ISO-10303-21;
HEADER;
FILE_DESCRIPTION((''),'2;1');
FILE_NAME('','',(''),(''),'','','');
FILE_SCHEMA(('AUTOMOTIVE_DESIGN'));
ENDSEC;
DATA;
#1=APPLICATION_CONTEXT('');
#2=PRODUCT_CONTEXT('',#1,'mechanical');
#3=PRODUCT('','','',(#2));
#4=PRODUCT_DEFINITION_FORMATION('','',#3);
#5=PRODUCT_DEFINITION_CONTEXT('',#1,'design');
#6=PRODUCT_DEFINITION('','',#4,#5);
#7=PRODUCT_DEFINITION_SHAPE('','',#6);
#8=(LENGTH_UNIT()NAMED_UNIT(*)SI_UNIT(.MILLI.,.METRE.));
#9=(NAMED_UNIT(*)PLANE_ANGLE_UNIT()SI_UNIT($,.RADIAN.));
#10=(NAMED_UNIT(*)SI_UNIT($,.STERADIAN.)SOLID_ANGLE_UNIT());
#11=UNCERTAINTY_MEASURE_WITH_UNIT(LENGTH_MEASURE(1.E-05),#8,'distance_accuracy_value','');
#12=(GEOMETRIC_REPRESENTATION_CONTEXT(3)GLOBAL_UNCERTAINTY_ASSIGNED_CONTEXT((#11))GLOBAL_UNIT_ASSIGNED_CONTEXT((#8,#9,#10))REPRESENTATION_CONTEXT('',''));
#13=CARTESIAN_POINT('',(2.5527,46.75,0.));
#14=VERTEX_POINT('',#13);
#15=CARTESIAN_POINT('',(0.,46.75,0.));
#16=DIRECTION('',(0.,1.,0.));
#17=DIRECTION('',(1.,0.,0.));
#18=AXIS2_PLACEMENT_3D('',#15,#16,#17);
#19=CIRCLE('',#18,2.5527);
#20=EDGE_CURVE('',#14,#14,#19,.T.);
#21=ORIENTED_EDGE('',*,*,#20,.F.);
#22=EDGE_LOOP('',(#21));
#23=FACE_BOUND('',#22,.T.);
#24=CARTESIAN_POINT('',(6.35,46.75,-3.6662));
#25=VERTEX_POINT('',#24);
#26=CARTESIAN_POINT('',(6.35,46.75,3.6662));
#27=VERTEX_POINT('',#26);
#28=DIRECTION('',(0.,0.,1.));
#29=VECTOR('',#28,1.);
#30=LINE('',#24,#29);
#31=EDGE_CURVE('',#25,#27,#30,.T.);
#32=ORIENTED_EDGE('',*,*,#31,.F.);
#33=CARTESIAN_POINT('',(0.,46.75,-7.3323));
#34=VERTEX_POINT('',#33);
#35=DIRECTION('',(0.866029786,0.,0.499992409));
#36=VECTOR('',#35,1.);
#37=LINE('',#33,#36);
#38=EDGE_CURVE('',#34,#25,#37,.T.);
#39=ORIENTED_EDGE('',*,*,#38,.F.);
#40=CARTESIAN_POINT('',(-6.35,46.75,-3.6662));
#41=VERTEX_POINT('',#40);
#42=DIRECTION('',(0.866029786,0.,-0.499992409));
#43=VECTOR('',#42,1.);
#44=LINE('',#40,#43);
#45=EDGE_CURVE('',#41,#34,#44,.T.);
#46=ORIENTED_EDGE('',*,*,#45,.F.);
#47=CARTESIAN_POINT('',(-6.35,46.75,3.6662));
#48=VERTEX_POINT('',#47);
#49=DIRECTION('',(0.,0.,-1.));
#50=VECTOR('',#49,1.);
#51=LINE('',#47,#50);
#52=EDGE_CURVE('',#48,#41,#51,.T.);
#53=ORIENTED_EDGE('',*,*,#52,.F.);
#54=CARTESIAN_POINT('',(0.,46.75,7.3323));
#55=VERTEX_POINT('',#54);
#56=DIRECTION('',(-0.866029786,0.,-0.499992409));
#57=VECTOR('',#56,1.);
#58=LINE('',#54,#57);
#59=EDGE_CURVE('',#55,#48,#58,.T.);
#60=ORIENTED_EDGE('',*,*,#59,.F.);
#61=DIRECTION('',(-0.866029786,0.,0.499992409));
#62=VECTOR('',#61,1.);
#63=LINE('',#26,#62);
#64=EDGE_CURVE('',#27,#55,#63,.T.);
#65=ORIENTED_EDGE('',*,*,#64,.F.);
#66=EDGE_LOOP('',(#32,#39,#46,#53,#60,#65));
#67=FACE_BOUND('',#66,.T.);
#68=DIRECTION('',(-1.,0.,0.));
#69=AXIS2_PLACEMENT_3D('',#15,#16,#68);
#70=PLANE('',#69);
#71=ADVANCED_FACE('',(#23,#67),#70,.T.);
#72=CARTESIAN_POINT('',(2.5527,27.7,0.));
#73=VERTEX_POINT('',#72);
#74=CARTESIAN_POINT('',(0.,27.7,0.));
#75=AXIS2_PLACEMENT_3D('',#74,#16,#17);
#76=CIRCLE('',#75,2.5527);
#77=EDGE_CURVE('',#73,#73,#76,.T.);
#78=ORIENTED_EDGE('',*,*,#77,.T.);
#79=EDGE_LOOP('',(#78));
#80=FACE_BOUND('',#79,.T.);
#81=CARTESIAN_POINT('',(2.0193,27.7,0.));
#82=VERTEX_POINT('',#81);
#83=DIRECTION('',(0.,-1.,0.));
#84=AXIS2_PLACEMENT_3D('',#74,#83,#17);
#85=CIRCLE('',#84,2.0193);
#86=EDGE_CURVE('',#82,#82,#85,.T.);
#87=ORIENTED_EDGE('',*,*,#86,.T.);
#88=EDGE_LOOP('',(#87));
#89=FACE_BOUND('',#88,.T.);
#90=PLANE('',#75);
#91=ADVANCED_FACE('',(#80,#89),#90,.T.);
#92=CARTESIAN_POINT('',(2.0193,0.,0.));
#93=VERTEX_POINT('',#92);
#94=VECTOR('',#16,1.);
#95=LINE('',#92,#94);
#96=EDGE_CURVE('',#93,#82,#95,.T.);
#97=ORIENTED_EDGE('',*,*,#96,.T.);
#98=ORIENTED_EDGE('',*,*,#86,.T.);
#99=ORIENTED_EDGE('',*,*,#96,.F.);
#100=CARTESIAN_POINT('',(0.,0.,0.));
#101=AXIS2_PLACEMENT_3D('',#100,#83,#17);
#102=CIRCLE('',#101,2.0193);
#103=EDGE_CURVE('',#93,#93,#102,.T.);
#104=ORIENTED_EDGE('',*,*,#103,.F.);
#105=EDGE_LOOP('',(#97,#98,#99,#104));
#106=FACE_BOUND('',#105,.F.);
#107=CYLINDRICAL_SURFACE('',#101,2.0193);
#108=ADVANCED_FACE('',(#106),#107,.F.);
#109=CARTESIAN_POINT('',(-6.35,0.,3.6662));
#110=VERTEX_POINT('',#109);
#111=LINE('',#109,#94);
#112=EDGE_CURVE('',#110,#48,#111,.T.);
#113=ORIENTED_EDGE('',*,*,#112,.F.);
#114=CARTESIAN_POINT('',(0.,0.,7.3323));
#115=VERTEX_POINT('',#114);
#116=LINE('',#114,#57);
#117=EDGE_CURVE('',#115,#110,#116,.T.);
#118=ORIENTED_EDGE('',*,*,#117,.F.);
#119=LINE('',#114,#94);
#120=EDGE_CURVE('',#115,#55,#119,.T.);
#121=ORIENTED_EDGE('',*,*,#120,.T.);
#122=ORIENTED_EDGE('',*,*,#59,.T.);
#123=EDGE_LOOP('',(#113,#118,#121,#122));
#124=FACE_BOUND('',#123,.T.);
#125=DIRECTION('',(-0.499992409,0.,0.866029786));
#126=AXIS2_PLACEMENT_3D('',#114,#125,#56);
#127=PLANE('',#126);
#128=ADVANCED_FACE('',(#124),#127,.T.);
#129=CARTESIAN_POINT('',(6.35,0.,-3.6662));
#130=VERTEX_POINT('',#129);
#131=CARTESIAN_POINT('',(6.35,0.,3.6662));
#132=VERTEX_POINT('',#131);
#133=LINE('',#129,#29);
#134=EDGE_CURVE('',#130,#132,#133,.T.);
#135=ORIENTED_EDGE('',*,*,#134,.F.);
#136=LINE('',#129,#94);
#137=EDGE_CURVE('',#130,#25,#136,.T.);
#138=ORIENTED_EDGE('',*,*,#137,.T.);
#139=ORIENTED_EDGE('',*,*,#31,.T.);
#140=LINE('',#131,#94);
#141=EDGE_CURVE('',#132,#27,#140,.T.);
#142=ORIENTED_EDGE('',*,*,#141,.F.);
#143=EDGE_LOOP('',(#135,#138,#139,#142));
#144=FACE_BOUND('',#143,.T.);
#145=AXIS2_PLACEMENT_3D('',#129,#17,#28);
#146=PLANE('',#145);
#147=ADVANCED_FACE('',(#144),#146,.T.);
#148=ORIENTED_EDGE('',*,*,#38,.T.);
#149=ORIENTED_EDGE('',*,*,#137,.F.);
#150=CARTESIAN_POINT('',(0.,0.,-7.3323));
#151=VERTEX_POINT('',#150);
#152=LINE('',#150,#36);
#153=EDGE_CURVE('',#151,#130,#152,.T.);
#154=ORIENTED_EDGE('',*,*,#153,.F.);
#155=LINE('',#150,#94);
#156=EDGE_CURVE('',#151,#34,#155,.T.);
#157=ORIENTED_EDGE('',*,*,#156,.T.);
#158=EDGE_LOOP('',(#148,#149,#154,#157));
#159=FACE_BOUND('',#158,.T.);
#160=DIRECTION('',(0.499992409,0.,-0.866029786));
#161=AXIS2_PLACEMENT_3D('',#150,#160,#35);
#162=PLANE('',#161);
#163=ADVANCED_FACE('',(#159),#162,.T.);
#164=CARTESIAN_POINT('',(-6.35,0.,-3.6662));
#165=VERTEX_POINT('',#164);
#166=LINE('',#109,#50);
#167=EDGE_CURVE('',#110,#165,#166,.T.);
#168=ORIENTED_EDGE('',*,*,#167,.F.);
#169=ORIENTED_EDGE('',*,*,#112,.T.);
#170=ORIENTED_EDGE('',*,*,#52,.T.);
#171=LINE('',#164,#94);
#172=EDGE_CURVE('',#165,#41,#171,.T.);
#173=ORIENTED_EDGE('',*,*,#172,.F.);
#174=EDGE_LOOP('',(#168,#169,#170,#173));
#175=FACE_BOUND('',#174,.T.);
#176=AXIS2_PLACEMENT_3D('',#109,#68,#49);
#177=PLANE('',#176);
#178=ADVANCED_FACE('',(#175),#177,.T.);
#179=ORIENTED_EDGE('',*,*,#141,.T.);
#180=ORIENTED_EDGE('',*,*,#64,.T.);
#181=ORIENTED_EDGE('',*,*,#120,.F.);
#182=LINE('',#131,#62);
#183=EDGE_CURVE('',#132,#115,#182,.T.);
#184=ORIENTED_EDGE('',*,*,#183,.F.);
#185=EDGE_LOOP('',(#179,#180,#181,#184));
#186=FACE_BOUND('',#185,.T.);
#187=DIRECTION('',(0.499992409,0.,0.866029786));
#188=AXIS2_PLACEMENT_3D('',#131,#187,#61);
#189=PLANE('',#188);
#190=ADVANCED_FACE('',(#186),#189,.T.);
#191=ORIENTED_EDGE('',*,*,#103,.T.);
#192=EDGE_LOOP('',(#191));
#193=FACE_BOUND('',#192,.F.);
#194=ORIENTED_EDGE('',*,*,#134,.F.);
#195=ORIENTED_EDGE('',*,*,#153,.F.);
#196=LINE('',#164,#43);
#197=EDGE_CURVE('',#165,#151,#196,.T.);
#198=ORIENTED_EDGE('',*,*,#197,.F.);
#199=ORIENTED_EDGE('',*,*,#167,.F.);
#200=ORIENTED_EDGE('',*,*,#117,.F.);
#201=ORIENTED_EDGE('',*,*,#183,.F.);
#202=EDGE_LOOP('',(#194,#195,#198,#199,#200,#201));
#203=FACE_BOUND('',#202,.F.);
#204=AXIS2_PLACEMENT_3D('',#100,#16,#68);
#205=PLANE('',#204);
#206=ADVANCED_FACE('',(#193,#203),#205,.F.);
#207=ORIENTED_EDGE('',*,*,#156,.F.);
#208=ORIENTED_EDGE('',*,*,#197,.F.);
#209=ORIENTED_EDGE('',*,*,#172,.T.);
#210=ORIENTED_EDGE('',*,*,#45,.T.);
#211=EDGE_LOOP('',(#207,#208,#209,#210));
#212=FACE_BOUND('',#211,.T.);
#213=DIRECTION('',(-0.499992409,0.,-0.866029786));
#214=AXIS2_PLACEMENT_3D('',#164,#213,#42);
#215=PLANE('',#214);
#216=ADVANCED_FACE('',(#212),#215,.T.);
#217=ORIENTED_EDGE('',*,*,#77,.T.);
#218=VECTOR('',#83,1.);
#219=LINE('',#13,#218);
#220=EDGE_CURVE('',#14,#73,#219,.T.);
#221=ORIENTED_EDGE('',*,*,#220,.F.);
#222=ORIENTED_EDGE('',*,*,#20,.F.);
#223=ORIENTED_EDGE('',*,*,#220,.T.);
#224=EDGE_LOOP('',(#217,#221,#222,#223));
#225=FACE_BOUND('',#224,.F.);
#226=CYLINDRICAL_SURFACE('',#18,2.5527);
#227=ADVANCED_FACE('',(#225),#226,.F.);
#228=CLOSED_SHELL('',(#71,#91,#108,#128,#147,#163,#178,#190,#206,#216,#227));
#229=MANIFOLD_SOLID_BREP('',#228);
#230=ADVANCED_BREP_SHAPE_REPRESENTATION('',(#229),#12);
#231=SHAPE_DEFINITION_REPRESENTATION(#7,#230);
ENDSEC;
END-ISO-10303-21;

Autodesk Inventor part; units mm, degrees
ref_plane "YZ Plane" through (0, 0, 0) normal (1, 0, 0) x (0, 1, 0)
ref_plane "XZ Plane" through (0, 0, 0) normal (0, 1, 0) x (-1, 0, 0)
ref_plane "XY Plane" through (0, 0, 0) normal (0, 0, 1) x (1, 0, 0)
sketch "Sketch1" plane through (0, 0, 0) normal (0, 1, 0) x (-1, 0, 0)
  line L0 (6.35, 3.6662) -> (6.35, -3.6662)
  line L1 (6.35, -3.6662) -> (0, -7.3323)
  line L2 (0, -7.3323) -> (-6.35, -3.6662)
  line L3 (-6.35, -3.6662) -> (-6.35, 3.6662)
  line L4 (-6.35, 3.6662) -> (0, 7.3323)
  line L5 (0, 7.3323) -> (6.35, 3.6662)
  point P0 (0, 0)
  point P1 (0, 0)
  dimension "d0" = 12.7
extrude "Extrusion1" add sketch "Sketch1" along normal blind 46.75
sketch "Sketch2" plane through (0, 46.75, 0) normal (0, 1, 0) x (1, 0, 0)
  circle A0 centre (0, 0) radius 2.5527
  dimension "d3" = 5.1054
extrude "Extrusion2" cut sketch "Sketch2" against normal blind 19.05
sketch "Sketch3" plane through (0, 0, 0) normal (0, -1, 0) x (1, 0, 0)
  circle A0 centre (0, 0) radius 2.0193
  dimension "d6" = 4.0386
extrude "Extrusion3" cut sketch "Sketch3" against normal through all
thread "Thread1" size "10-32 UNF" class "2B" standard "ANSI Unified Screw Threads" full length
thread "Thread2" size "1/4-20 UNC" class "2B" standard "ANSI Unified Screw Threads" full length
properties part number "CORL_013_SmallShaft" material "Aluminum 6061"
